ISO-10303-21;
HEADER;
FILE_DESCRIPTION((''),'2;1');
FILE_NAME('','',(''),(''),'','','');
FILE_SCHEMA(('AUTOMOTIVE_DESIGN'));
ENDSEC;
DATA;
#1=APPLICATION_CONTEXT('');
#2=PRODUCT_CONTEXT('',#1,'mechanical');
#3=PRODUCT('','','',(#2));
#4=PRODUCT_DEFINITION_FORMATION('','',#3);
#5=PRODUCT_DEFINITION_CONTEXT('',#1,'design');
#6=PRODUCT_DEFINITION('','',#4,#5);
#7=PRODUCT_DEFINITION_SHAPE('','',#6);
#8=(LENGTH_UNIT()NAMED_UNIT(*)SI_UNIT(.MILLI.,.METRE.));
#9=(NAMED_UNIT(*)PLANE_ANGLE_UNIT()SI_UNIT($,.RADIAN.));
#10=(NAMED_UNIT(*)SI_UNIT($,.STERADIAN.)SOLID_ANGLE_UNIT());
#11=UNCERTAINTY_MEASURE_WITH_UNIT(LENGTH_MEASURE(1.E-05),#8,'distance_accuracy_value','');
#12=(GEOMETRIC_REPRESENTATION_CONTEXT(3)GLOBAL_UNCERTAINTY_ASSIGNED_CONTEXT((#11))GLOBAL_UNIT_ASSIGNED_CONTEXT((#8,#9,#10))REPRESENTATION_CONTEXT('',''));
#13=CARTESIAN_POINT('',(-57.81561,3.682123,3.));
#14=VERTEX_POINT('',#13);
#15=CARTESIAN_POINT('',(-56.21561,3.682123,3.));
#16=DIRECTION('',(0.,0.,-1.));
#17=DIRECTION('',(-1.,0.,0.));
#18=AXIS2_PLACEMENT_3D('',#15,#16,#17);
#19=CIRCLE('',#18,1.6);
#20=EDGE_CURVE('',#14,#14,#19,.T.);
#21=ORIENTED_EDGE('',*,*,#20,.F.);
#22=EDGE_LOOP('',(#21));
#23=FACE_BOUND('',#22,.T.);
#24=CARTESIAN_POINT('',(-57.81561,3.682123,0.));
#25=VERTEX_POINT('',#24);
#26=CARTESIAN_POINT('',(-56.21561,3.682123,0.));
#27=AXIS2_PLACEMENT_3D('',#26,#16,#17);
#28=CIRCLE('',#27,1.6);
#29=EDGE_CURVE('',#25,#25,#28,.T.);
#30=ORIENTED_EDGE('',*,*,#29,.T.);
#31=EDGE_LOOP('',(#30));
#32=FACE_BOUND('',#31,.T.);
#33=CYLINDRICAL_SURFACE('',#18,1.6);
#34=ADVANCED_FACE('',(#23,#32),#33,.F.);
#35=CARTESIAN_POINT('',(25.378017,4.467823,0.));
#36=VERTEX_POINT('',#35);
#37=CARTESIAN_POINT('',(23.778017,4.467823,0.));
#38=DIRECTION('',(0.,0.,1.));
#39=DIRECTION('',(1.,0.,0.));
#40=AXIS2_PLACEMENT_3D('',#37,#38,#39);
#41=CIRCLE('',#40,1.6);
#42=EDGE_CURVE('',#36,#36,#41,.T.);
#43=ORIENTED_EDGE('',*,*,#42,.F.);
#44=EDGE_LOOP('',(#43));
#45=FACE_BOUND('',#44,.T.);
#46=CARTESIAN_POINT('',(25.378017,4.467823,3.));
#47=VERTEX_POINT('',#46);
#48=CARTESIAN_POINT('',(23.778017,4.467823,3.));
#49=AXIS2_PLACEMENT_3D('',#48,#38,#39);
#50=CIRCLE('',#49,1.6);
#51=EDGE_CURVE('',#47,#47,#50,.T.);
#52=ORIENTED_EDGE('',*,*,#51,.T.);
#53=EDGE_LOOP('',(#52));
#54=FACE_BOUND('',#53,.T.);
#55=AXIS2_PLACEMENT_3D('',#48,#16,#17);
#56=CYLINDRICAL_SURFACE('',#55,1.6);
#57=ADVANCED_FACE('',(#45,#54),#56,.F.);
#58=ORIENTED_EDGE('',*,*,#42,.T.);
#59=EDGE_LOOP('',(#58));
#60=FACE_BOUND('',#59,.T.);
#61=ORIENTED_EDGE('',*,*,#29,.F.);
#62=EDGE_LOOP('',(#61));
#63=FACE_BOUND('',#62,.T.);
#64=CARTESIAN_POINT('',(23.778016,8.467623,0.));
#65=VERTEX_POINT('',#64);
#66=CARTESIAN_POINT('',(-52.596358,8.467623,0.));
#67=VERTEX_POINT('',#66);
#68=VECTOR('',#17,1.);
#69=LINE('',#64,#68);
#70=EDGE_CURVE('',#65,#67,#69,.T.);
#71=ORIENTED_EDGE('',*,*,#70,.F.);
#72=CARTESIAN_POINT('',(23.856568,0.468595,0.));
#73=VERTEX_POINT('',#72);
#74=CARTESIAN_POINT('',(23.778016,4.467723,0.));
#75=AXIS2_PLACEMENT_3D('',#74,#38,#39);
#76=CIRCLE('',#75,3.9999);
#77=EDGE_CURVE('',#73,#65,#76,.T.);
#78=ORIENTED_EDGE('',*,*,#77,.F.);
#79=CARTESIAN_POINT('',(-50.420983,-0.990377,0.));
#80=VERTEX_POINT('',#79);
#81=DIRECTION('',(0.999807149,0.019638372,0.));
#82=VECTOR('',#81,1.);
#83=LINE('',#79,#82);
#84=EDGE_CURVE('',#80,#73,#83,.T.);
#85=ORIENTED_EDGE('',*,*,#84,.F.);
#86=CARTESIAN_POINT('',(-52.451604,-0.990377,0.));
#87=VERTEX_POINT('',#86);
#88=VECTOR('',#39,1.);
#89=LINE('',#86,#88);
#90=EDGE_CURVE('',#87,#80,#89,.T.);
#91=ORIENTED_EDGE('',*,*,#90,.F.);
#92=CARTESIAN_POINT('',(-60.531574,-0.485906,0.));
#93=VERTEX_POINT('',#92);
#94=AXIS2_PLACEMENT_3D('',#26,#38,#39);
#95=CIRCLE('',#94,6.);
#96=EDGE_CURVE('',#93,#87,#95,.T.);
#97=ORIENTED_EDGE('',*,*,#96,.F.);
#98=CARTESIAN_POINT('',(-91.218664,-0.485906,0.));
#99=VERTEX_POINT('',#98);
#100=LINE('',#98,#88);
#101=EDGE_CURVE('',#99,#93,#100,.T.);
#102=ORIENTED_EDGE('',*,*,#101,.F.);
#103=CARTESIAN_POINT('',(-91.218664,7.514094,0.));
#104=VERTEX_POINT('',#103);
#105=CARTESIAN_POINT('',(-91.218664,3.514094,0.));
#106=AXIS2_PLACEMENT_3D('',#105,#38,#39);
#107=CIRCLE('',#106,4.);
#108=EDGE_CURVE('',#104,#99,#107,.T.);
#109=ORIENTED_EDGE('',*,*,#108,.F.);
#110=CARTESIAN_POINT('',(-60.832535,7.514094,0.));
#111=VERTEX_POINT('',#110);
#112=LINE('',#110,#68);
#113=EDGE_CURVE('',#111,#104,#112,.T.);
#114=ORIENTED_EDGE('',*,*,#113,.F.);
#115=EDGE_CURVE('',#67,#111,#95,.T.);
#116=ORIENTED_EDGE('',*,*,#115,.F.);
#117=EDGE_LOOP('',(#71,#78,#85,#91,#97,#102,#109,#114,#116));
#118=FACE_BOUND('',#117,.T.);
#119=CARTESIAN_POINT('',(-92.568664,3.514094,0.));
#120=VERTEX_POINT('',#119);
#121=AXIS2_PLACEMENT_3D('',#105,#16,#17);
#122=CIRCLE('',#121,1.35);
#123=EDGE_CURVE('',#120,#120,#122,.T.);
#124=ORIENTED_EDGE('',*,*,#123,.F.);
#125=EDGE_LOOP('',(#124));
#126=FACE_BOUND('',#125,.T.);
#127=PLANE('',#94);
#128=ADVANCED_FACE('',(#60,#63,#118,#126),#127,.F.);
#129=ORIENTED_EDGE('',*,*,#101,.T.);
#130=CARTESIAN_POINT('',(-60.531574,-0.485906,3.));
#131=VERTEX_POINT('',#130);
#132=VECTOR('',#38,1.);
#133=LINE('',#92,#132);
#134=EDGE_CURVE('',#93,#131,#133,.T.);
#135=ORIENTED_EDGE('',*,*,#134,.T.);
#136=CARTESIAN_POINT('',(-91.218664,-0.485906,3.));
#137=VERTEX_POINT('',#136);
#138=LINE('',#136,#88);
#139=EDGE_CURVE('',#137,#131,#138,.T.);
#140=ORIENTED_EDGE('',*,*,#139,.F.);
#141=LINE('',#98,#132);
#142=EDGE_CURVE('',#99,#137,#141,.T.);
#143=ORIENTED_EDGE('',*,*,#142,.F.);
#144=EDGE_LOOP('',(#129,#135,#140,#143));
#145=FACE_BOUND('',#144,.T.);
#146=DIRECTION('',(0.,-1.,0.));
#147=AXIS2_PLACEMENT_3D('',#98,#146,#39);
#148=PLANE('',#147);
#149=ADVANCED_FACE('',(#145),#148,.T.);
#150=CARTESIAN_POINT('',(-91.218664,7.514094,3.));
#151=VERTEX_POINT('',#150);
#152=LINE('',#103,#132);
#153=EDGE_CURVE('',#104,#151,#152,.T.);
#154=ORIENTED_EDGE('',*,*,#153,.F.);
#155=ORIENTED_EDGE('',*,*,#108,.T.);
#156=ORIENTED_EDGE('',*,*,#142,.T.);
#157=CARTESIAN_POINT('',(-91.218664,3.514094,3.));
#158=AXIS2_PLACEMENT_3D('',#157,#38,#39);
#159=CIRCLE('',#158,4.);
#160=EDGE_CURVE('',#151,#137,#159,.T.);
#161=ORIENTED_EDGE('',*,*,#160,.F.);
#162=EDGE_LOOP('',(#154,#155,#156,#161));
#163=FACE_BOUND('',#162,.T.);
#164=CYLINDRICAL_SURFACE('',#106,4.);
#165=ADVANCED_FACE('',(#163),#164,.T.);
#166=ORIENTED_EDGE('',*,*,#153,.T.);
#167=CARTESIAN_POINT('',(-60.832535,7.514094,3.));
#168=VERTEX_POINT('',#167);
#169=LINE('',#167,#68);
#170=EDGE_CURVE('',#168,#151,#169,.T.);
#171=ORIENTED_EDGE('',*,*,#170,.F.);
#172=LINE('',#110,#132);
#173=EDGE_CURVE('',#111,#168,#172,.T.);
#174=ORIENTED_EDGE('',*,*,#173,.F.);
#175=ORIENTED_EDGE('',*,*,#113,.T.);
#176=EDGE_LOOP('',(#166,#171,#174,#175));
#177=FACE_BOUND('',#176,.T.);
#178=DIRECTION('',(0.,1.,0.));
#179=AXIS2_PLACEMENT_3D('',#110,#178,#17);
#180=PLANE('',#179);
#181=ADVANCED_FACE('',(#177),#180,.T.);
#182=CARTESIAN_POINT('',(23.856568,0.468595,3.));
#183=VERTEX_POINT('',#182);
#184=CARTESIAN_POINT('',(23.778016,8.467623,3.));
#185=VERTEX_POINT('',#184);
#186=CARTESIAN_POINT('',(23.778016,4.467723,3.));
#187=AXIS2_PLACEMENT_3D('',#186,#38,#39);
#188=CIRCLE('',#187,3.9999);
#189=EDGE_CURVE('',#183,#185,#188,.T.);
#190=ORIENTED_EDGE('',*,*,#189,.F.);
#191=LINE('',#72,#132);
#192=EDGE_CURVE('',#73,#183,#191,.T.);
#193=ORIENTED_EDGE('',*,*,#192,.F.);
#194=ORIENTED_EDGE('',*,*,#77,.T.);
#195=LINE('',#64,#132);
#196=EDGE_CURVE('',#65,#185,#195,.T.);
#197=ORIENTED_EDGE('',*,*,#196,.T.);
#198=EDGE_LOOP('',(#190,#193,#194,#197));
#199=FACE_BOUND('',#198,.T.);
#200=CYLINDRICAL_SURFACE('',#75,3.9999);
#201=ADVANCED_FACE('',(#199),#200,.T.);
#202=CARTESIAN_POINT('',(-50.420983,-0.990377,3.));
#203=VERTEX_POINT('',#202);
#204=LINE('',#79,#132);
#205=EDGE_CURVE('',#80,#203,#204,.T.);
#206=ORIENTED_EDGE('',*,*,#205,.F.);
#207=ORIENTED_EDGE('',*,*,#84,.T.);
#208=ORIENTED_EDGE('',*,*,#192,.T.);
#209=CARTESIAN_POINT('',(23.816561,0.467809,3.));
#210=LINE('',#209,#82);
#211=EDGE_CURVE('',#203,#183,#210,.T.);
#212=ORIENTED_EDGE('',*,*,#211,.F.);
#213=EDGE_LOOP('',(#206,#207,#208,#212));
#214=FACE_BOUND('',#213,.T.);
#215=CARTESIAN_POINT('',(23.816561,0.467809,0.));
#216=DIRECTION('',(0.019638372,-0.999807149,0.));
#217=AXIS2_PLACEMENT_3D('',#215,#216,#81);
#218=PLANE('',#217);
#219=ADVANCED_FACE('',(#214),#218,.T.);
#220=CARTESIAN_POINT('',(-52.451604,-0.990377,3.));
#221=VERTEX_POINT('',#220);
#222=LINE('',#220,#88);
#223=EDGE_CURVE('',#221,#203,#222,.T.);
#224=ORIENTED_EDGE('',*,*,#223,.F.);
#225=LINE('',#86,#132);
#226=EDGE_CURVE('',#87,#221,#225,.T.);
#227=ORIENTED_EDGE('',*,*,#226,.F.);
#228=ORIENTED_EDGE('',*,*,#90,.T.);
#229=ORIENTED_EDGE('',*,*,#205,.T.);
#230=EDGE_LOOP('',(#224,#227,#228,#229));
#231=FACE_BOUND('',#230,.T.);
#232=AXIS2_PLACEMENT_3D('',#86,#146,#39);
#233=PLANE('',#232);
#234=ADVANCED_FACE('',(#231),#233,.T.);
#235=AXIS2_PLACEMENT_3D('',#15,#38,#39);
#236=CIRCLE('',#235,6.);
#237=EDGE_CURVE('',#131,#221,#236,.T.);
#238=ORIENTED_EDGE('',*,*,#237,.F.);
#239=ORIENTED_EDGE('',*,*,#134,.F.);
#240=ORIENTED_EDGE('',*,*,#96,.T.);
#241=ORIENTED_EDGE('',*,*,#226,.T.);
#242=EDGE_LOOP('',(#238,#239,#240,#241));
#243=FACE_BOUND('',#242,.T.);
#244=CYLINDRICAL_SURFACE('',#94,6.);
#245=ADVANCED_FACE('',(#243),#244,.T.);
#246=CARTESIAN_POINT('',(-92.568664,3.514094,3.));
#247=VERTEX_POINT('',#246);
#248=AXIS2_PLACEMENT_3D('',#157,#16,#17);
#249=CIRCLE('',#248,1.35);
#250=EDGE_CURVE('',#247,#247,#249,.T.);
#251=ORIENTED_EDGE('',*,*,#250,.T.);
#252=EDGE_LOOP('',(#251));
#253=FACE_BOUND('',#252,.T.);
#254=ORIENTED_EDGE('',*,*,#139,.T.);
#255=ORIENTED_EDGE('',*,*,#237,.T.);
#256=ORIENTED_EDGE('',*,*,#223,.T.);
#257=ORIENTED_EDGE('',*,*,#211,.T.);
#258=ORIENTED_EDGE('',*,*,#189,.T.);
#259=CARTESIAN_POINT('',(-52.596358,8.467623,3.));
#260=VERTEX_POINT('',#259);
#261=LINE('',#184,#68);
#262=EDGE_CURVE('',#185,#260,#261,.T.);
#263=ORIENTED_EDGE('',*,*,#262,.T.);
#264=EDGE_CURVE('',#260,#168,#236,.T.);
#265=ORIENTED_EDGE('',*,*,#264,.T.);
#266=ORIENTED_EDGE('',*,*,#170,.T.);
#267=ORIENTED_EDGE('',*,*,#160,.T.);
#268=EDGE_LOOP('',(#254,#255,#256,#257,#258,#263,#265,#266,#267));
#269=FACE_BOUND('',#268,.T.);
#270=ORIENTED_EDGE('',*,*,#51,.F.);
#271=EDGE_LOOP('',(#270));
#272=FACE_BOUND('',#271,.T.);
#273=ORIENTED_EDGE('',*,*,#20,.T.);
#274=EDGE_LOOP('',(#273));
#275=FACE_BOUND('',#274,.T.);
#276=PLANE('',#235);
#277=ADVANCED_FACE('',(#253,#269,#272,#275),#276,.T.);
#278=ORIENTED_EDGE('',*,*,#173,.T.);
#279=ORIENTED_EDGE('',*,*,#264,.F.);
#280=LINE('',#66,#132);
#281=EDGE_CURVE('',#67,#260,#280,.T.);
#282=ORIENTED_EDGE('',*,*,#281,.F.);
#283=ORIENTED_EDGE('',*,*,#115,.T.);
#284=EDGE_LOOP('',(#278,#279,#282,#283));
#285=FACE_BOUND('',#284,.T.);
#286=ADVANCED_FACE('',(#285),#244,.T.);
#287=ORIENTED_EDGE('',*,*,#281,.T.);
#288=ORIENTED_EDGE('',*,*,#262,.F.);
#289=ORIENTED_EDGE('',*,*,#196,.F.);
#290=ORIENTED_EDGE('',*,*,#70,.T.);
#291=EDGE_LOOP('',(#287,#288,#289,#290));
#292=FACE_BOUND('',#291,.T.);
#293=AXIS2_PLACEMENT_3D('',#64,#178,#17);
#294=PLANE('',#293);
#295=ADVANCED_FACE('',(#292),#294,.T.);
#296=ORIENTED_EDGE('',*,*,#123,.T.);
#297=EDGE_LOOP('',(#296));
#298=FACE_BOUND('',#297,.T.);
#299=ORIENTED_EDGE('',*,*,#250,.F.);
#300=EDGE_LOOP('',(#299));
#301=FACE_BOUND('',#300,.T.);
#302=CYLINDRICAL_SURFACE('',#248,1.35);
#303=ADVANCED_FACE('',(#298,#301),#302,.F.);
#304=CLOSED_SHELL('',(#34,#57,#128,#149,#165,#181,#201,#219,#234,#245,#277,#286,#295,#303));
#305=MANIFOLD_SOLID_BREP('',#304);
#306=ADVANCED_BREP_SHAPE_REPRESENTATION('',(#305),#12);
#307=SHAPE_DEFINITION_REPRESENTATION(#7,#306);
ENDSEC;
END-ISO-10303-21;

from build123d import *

# Parameters (mm, degrees)
EXTRUDE_1_DEPTH     = 3
SKETCH_2_R          = 1.35
CUT_EXTRUDE_1_DEPTH = 2.444444444
SKETCH_3_R          = 1.6
SKETCH_3_R_2        = 1.35
CUT_EXTRUDE_3_DEPTH = 96.756657889


with BuildPart() as part:
    # 草图1 → 凸台-拉伸1 (new body)
    with BuildSketch(Plane.XY.offset(3)):
        with BuildLine():
            Line((-60.832535173, 7.514094179), (-91.218664305, 7.514094179))
            ThreePointArc((-91.218664305, 7.514094179), (-95.218664305, 3.514094179), (-91.218664305, -0.485905821))
            Line((-91.218664305, -0.485905821), (-60.531573746, -0.485905821))
            ThreePointArc((-60.531573746, -0.485905821), (-56.589491156, -2.306217172), (-52.451603626, -0.990377005))
            Line((-52.451603626, -0.990377005), (-50.420982545, -0.990377005))
            Line((-50.420982545, -0.990377005), (23.816560918, 0.467808699))
            Line((23.816560918, 0.467808699), (23.856567982, 0.468594524))
            ThreePointArc((23.856567982, 0.468594524), (27.777723532, 4.507000717), (23.778016459, 8.467622986))
            Line((23.778016459, 8.467622986), (-52.596358319, 8.467622986))
            ThreePointArc((-52.596358319, 8.467622986), (-56.905640848, 9.642312032), (-60.832535173, 7.514094179))
        make_face()
    extrude(amount=-EXTRUDE_1_DEPTH)

    # 草图2 → 切除-拉伸1 (cut)
    with BuildSketch(Plane.XY.offset(3)):
        with Locations(Location((23.77801746, 4.467622995, 0), (0, 0, 180))):
            Circle(SKETCH_2_R)
    extrude(amount=-CUT_EXTRUDE_1_DEPTH, mode=Mode.SUBTRACT)

    # 草图3 → 切除-拉伸3 (cut, through all)
    with BuildSketch(Plane(origin=(0, 0, 0), x_dir=(-1, 0, 0), z_dir=(0, 0, -1))):
        with Locations(Location((-23.778017455, 4.467823177, 0), (0, 0, 180))):
            Circle(SKETCH_3_R)
        with Locations((56.215610459, 3.6821226)):
            Circle(SKETCH_3_R)
        with Locations((91.218664305, 3.514094179)):
            Circle(SKETCH_3_R_2)
    extrude(amount=-CUT_EXTRUDE_3_DEPTH, mode=Mode.SUBTRACT)


solid = part.part
